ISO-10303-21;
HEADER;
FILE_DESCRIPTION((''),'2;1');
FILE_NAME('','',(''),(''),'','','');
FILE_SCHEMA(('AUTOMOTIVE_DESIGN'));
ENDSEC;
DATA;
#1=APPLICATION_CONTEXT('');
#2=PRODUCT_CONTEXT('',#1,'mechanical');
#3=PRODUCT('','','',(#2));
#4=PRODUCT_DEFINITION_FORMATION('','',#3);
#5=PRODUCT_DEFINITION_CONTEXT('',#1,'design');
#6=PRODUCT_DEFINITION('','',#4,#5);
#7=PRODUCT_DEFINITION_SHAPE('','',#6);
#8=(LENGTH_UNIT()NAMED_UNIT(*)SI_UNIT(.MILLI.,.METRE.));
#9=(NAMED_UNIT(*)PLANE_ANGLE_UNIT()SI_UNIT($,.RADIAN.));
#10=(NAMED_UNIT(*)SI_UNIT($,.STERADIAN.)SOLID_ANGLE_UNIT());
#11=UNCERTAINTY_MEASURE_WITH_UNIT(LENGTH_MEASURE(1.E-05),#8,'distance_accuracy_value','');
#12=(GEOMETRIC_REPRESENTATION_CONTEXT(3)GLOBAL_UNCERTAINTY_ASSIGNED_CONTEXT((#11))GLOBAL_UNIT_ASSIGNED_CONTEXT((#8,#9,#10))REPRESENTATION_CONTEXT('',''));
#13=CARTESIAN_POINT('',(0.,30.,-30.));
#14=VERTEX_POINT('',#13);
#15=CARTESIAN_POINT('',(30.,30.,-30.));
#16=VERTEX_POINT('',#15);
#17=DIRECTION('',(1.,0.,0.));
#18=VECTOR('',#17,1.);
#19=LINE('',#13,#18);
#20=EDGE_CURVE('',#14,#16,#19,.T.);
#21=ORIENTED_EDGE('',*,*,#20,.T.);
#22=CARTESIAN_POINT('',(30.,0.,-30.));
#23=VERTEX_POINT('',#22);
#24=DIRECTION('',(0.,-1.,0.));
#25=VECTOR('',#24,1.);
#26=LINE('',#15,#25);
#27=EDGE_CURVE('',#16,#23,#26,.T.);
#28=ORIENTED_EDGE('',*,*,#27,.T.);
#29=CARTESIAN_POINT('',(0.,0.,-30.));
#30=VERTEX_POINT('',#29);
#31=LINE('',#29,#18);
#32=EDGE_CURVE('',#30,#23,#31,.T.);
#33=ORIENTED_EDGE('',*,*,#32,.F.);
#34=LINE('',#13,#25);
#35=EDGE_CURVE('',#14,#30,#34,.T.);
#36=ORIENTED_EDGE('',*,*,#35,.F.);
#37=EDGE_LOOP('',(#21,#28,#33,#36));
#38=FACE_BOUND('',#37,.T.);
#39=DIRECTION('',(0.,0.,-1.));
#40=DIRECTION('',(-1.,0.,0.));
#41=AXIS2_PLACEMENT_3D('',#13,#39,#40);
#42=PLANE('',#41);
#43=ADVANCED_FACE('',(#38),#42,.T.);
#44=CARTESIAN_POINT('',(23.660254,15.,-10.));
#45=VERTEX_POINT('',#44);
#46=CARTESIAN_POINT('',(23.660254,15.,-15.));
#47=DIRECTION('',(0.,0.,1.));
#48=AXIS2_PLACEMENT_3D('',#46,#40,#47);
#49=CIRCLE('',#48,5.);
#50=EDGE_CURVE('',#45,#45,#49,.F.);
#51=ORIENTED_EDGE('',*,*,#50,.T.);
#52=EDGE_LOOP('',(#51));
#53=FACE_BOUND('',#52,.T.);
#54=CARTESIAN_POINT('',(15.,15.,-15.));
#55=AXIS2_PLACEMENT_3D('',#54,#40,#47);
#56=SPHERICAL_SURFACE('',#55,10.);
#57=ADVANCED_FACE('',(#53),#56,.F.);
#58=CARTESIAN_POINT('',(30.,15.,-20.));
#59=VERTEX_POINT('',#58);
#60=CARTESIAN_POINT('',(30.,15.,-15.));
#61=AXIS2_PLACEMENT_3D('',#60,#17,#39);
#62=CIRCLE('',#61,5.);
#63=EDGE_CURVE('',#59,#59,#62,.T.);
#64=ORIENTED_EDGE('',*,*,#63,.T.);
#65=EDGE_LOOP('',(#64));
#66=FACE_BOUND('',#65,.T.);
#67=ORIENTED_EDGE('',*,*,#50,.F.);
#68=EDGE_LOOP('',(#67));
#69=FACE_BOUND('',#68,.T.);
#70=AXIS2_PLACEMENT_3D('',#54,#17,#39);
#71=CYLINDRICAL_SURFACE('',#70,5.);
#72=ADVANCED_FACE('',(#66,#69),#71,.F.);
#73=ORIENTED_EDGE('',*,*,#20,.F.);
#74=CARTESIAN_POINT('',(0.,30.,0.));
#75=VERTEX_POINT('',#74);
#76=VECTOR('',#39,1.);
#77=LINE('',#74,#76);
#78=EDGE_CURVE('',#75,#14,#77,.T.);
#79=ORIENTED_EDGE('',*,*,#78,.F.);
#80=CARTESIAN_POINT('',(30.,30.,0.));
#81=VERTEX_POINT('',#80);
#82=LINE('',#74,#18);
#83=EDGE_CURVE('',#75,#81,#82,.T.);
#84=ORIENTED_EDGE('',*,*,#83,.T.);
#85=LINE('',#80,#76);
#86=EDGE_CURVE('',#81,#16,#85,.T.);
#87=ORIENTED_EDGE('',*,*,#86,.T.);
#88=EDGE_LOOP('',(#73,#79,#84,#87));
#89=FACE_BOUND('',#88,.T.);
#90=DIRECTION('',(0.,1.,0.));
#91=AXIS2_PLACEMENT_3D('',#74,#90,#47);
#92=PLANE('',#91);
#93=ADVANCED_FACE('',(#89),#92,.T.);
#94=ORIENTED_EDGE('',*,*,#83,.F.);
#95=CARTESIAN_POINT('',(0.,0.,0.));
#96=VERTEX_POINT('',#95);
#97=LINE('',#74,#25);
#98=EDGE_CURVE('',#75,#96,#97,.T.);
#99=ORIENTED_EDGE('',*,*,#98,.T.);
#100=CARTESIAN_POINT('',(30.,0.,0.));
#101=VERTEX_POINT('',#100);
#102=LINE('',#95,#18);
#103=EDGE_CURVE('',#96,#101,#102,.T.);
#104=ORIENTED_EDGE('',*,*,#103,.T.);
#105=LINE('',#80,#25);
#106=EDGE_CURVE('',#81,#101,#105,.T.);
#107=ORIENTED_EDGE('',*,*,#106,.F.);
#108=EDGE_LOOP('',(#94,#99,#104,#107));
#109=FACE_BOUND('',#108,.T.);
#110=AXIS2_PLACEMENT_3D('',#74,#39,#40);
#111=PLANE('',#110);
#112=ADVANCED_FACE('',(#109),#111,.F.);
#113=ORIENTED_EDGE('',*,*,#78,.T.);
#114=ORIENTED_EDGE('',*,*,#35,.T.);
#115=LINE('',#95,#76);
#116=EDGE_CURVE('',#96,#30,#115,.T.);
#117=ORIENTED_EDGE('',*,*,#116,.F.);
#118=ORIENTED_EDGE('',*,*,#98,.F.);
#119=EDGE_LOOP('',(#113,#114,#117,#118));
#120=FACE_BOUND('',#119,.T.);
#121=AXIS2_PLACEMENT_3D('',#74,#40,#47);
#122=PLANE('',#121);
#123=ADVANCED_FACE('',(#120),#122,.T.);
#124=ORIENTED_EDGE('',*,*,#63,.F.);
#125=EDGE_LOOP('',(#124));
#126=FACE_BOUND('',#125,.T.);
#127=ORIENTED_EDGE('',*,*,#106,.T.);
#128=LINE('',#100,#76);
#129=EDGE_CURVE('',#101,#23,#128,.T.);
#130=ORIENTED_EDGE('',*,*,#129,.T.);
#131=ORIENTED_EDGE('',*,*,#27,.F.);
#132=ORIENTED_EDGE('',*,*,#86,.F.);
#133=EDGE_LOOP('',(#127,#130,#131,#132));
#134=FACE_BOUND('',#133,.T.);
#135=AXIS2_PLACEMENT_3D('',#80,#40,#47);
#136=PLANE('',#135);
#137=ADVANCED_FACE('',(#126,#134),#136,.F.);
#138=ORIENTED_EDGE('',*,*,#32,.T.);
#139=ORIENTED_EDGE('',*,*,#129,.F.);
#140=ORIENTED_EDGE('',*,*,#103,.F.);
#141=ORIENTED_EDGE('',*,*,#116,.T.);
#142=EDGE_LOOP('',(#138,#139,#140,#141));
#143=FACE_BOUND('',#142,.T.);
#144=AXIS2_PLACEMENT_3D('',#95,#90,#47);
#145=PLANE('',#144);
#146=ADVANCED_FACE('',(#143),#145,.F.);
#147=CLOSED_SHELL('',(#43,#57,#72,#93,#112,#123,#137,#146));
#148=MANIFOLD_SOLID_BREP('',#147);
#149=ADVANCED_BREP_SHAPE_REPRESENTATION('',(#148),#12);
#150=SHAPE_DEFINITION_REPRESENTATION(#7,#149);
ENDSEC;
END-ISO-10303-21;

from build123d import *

# Parameters (mm, degrees)
SKETCH1_W           = 30
SKETCH1_H           = 30
BOSS_EXTRUDE1_DEPTH = 30
SKETCH2_R           = 5
CUT_EXTRUDE1_DEPTH  = 15


with BuildPart() as part:
    # Sketch1 → Boss-Extrude1 (new body)
    with BuildSketch(Plane(origin=(0, 0, 0), x_dir=(1, 0, 0), z_dir=(0, 1, 0))):
        with Locations((15, 15)):
            Rectangle(SKETCH1_W, SKETCH1_H)
    extrude(amount=BOSS_EXTRUDE1_DEPTH)

    # Sketch2 → Cut-Extrude1 (cut)
    with BuildSketch(Plane(origin=(30, 0, 0), x_dir=(0, 0, -1), z_dir=(1, 0, 0))):
        with Locations((15, 15)):
            Circle(SKETCH2_R)
    extrude(amount=-CUT_EXTRUDE1_DEPTH, mode=Mode.SUBTRACT)

    # Sketch4 → Cut-Revolve1 (revolve, cut)
    with BuildSketch(Plane(origin=(15, 0, 0), x_dir=(0, 0, -1), z_dir=(1, 0, 0))):
        with BuildLine():
            Line((25, 15), (5, 15))
            ThreePointArc((5, 15), (15, 5), (25, 15))
        make_face()
    revolve(axis=Axis((15, 15, -25), (0, 0, 1)), mode=Mode.SUBTRACT)


solid = part.part
